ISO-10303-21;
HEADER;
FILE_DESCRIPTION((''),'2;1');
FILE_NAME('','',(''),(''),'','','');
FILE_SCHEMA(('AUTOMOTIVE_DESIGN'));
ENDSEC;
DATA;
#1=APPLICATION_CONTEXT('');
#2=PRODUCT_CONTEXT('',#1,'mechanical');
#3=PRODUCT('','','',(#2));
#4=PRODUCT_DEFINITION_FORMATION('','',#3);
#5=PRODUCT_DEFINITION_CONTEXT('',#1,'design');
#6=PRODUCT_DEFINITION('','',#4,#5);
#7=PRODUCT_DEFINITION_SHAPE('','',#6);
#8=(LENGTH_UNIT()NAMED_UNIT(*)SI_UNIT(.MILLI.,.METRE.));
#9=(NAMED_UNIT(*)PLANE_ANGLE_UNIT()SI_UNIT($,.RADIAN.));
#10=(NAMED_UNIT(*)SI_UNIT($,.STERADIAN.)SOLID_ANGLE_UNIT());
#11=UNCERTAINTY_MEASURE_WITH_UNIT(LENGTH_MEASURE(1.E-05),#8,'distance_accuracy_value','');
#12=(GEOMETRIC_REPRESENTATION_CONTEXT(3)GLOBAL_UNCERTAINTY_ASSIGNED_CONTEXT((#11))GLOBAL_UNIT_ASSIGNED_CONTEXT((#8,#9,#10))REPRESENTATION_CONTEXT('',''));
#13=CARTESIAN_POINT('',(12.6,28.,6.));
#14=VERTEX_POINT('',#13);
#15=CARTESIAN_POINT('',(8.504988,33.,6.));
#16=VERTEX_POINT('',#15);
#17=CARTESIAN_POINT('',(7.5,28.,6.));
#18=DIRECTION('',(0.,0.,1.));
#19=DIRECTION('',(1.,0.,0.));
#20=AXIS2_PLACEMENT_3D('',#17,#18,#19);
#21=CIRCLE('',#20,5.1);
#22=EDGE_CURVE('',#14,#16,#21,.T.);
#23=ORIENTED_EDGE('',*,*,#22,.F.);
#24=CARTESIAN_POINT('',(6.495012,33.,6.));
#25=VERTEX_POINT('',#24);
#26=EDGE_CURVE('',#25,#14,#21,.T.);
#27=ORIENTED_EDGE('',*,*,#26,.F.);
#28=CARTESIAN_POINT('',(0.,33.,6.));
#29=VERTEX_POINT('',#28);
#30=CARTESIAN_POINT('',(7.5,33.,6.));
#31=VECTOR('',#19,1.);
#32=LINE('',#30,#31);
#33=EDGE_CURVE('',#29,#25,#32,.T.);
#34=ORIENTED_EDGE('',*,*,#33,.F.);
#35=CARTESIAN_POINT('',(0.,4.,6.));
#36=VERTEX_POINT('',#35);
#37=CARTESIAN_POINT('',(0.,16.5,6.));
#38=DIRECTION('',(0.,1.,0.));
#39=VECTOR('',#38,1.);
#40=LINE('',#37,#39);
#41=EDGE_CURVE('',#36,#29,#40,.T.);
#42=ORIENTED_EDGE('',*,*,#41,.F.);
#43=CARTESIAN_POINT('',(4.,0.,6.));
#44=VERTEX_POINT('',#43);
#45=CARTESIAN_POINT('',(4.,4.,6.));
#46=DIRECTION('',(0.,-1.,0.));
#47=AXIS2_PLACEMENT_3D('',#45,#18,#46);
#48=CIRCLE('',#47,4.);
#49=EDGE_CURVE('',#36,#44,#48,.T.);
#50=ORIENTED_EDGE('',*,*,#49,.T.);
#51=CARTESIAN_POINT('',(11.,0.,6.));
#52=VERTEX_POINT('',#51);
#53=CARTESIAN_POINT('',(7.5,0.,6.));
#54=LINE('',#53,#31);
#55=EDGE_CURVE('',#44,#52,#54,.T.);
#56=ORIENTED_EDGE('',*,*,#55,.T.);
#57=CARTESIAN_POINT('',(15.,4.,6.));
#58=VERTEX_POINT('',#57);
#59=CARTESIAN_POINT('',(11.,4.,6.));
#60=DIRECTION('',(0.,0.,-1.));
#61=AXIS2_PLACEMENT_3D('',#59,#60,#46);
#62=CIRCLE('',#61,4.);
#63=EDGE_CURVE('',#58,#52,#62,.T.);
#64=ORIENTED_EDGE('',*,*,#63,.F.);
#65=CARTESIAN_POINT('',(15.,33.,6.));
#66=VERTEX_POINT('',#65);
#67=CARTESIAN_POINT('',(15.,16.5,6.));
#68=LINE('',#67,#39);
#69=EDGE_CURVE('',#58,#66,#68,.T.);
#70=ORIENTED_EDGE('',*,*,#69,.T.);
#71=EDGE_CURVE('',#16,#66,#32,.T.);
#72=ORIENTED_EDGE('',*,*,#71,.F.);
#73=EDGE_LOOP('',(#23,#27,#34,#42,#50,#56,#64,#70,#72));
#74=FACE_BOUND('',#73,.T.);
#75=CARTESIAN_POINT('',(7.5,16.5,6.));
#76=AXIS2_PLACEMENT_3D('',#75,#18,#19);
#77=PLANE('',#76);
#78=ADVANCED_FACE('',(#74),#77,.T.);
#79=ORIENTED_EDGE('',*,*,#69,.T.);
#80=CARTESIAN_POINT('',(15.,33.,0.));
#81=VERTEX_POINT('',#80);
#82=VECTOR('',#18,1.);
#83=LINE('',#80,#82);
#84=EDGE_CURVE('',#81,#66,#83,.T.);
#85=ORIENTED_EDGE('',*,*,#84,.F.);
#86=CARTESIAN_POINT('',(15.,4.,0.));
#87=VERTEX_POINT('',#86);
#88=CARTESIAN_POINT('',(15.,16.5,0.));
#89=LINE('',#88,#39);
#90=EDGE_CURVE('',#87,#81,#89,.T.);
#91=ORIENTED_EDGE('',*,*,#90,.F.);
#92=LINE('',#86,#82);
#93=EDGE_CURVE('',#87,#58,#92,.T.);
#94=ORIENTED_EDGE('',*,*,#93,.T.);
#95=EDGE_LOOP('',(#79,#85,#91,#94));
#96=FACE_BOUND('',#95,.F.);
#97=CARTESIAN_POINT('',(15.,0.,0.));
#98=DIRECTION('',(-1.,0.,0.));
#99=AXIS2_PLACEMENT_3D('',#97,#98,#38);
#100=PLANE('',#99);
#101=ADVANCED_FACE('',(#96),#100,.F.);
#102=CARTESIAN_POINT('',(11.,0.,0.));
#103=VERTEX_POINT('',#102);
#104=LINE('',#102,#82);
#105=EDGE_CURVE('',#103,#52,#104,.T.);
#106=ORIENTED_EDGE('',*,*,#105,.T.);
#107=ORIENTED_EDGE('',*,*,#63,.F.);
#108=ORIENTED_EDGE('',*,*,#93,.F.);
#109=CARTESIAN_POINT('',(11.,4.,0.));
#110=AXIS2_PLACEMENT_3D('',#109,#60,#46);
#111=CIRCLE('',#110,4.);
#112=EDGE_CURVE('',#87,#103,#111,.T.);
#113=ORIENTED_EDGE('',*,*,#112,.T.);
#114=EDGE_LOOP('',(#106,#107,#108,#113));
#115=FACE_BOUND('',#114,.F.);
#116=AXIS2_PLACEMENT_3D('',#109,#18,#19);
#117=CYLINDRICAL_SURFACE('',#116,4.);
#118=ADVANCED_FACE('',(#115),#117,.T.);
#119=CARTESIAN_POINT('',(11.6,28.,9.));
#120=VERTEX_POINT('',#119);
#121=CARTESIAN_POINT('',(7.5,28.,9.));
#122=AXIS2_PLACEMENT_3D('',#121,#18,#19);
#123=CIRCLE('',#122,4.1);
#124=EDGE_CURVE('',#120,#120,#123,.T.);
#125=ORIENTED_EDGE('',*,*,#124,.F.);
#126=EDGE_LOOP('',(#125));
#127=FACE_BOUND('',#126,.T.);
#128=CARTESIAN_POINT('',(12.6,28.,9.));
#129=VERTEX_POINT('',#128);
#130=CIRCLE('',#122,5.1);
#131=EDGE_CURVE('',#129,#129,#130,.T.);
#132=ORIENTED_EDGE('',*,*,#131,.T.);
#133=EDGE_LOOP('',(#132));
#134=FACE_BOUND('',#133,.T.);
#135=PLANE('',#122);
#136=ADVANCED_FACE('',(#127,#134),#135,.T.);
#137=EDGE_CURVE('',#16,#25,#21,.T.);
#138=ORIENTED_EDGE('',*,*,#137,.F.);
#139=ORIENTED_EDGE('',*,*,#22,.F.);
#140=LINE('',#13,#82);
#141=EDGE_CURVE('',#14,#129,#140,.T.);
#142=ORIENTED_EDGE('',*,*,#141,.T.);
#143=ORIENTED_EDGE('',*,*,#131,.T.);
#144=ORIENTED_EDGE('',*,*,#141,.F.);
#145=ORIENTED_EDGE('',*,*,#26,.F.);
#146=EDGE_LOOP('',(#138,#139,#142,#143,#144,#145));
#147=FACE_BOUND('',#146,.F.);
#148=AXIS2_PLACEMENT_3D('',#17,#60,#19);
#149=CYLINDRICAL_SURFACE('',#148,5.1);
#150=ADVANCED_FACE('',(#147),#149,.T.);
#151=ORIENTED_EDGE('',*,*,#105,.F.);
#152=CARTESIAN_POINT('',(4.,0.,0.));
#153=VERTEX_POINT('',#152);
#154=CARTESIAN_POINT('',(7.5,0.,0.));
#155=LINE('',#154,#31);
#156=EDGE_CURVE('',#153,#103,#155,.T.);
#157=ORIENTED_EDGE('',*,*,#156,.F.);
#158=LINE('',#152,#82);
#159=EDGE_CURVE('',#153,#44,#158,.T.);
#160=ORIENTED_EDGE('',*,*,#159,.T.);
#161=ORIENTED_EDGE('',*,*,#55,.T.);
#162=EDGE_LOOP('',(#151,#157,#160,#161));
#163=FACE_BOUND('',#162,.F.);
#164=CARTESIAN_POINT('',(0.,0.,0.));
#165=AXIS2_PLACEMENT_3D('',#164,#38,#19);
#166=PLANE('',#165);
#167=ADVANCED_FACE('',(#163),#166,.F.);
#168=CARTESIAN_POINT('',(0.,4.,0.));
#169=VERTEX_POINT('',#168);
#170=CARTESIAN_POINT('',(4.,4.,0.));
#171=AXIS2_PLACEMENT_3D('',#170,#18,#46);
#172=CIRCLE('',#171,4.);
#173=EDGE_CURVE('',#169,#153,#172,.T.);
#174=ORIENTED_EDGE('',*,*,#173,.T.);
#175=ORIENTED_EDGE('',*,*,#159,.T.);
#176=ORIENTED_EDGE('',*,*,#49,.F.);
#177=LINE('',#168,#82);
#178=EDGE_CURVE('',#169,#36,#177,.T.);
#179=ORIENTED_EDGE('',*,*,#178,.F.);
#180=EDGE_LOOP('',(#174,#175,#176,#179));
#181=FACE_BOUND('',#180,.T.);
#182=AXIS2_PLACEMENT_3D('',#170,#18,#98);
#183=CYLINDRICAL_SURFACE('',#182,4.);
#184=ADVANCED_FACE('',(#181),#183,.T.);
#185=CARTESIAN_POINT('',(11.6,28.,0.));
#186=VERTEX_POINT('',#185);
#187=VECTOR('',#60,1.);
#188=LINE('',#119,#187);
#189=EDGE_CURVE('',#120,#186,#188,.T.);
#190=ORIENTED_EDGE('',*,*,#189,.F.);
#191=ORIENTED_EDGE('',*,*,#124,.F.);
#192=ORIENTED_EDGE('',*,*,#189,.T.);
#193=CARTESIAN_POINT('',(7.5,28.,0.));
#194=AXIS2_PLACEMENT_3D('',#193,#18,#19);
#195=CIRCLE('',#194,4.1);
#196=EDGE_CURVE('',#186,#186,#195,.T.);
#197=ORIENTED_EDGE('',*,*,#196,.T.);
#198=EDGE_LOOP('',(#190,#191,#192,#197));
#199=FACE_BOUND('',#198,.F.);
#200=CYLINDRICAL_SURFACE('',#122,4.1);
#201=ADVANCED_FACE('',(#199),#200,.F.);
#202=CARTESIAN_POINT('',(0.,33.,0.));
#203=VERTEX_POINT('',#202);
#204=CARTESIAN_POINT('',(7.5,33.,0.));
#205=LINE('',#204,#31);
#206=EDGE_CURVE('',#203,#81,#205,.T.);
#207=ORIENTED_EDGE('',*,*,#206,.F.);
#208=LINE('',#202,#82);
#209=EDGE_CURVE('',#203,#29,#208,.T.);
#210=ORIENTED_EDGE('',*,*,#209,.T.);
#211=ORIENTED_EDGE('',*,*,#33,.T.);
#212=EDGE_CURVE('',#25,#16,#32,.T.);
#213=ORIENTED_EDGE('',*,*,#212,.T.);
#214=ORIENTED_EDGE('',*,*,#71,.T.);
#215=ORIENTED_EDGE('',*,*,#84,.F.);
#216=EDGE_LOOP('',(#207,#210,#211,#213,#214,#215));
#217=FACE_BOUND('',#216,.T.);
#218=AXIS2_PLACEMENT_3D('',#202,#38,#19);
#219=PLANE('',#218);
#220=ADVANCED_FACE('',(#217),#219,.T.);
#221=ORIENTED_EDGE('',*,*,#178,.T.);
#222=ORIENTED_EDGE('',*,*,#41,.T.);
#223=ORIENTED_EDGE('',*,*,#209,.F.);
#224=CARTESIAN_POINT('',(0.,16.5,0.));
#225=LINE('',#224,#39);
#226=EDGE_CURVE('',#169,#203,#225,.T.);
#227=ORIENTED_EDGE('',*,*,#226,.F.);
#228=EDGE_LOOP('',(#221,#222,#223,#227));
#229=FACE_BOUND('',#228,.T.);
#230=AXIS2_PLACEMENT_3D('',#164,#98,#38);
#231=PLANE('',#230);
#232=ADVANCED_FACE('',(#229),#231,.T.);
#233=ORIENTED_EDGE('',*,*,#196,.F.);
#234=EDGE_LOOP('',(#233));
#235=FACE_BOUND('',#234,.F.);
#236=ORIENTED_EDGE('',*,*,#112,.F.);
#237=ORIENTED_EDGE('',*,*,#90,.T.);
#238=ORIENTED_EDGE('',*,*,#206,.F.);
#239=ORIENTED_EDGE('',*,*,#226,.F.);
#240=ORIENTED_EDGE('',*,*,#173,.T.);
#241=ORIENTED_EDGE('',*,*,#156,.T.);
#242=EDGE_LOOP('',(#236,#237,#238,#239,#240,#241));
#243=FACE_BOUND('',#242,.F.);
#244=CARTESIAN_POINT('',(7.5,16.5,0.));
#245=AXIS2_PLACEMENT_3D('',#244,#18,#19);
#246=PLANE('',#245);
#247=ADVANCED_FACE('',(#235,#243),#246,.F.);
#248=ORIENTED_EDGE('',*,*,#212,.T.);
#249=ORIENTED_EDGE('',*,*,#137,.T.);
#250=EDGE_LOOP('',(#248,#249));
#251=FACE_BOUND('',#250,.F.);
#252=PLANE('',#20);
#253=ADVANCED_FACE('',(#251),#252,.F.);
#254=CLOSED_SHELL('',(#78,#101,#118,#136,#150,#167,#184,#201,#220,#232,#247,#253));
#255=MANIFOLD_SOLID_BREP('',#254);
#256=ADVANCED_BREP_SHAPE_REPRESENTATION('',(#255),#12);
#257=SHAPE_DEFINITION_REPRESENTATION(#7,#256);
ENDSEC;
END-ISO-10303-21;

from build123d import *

# Parameters (mm, degrees)
SKETCH_W     = 15
SKETCH_H     = 33
PAD_DEPTH    = 6
SKETCH001_R  = 5.1
PAD001_DEPTH = 3
SKETCH002_R  = 4.1
POCKET_DEPTH = 9.001
FILLET_R     = 4


with BuildPart() as part:
    # Sketch → Pad (new body)
    with BuildSketch(Plane.XY):
        with Locations((7.5, 16.5)):
            Rectangle(SKETCH_W, SKETCH_H)
    extrude(amount=PAD_DEPTH)

    # Sketch001 → Pad001 (new body)
    with BuildSketch(Plane.XY.offset(6)):
        with Locations((7.5, 28)):
            Circle(SKETCH001_R)
    extrude(amount=PAD001_DEPTH)

    # Sketch002 → Pocket (cut, through all)
    with BuildSketch(Plane.XY.offset(9)):
        with Locations((7.5, 28)):
            Circle(SKETCH002_R)
    extrude(amount=-POCKET_DEPTH, mode=Mode.SUBTRACT)

    # Fillet
    fillet_edges = [part.edges().sort_by_distance(p)[0] for p in [
        (0, 0, 3),
        (15, 0, 3),
    ]]
    fillet(fillet_edges, radius=FILLET_R)


solid = part.part
